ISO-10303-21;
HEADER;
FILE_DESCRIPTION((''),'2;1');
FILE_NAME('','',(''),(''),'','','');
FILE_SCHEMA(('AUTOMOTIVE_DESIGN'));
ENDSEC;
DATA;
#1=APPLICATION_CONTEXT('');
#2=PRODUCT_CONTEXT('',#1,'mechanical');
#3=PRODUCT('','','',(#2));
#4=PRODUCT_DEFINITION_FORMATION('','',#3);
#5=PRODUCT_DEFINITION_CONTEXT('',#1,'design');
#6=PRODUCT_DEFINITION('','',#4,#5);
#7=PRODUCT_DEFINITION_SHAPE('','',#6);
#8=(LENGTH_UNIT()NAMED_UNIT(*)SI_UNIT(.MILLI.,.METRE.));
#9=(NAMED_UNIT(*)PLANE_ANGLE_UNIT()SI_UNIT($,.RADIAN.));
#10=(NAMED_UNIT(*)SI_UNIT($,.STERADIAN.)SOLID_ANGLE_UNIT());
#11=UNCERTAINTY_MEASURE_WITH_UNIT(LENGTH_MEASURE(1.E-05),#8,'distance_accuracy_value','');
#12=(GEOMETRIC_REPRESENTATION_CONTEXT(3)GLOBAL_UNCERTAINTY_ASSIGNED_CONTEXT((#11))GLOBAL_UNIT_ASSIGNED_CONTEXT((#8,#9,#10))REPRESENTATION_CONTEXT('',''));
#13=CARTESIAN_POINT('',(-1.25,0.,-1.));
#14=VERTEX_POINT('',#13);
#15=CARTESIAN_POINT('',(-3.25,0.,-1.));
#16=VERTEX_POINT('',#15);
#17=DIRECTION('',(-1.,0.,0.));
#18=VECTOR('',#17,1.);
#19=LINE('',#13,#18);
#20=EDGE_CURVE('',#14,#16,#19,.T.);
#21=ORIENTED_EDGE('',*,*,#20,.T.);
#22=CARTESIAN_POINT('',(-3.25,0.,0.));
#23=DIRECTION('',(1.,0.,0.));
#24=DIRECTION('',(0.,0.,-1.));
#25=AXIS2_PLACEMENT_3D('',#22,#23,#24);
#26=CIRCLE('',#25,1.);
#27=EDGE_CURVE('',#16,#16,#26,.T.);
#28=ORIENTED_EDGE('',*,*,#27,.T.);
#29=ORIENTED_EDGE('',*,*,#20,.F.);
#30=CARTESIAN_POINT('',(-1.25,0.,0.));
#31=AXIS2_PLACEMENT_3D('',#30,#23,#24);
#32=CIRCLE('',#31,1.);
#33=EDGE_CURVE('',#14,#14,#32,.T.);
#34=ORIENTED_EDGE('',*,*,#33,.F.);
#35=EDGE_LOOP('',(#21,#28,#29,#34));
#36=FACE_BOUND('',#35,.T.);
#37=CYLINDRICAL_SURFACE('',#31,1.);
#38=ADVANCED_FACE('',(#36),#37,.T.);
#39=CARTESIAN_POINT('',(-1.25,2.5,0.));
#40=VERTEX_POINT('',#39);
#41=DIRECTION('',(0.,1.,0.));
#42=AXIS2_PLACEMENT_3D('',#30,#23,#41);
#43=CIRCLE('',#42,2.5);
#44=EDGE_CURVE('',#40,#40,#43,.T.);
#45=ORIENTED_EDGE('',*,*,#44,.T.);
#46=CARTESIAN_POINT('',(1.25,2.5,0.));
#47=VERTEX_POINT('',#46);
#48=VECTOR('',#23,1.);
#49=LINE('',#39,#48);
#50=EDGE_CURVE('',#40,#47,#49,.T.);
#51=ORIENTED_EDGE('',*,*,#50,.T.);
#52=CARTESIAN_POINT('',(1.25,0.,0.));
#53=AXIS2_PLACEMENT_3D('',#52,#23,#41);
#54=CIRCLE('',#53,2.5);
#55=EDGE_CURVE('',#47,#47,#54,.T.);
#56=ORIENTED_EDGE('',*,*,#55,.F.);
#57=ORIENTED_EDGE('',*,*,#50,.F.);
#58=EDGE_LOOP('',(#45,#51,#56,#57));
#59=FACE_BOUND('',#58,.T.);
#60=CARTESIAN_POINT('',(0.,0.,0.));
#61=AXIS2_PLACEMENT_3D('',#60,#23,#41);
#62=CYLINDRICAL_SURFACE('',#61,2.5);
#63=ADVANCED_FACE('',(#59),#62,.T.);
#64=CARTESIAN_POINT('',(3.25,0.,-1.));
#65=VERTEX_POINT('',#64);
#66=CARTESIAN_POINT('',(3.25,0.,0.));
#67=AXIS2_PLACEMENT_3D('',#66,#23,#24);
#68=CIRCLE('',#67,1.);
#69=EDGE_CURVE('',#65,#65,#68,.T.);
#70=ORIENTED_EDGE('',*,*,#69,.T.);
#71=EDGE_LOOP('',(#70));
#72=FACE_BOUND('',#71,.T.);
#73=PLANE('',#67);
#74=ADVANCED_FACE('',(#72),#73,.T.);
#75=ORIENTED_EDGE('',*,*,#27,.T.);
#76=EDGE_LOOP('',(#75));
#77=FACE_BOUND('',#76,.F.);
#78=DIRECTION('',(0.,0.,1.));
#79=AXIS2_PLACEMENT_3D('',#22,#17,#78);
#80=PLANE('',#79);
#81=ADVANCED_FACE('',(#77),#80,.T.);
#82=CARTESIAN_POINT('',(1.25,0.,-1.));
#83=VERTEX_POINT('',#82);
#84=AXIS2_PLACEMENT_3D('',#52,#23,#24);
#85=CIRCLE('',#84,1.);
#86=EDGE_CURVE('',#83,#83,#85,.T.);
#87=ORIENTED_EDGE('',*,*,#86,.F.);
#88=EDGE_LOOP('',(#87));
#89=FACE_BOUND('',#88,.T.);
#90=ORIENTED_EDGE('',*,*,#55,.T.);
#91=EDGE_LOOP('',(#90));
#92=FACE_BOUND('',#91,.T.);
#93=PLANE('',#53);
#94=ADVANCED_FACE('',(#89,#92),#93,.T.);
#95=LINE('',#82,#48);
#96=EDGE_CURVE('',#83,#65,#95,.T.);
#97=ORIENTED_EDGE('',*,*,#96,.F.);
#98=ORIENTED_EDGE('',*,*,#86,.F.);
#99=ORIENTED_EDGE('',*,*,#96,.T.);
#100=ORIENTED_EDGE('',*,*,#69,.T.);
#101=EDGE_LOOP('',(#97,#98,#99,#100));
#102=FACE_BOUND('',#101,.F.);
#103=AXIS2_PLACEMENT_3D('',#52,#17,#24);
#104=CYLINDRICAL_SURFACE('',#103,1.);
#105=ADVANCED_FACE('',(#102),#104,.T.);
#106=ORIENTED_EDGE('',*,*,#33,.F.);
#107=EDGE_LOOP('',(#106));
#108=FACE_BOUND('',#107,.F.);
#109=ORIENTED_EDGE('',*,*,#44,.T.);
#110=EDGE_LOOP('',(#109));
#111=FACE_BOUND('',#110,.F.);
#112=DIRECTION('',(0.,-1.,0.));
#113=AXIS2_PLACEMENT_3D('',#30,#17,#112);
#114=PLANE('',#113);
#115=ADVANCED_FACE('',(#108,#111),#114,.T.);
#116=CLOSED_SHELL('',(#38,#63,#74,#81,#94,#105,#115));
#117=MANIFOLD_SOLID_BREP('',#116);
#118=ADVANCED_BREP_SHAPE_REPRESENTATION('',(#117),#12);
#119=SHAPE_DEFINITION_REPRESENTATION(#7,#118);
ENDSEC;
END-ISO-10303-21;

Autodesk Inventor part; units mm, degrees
ref_plane "YZ Plane" through (0, 0, 0) normal (1, 0, 0) x (0, 1, 0)
ref_plane "XZ Plane" through (0, 0, 0) normal (0, 1, 0) x (-1, 0, 0)
ref_plane "XY Plane" through (0, 0, 0) normal (0, 0, 1) x (1, 0, 0)
sketch "スケッチ1" plane through (0, 0, 0) normal (1, 0, 0) x (0, 1, 0)
  circle A0 centre (0, 0) radius 2.5
  dimension "d0" = 5
extrude "押し出し1" add sketch "スケッチ1" along normal blind 1.25
sketch "スケッチ3" plane through (1.25, 0, 0) normal (1, 0, 0) x (0, 0, -1)
  circle A0 centre (0, 0) radius 1
  dimension "d6" = 2
extrude "押し出し3" add sketch "スケッチ3" along normal blind 2
mirror "ミラー1" about plane through (0, 0, 0) normal (-1, 0, 0) of "押し出し1", "押し出し3"
properties part number "roller"
